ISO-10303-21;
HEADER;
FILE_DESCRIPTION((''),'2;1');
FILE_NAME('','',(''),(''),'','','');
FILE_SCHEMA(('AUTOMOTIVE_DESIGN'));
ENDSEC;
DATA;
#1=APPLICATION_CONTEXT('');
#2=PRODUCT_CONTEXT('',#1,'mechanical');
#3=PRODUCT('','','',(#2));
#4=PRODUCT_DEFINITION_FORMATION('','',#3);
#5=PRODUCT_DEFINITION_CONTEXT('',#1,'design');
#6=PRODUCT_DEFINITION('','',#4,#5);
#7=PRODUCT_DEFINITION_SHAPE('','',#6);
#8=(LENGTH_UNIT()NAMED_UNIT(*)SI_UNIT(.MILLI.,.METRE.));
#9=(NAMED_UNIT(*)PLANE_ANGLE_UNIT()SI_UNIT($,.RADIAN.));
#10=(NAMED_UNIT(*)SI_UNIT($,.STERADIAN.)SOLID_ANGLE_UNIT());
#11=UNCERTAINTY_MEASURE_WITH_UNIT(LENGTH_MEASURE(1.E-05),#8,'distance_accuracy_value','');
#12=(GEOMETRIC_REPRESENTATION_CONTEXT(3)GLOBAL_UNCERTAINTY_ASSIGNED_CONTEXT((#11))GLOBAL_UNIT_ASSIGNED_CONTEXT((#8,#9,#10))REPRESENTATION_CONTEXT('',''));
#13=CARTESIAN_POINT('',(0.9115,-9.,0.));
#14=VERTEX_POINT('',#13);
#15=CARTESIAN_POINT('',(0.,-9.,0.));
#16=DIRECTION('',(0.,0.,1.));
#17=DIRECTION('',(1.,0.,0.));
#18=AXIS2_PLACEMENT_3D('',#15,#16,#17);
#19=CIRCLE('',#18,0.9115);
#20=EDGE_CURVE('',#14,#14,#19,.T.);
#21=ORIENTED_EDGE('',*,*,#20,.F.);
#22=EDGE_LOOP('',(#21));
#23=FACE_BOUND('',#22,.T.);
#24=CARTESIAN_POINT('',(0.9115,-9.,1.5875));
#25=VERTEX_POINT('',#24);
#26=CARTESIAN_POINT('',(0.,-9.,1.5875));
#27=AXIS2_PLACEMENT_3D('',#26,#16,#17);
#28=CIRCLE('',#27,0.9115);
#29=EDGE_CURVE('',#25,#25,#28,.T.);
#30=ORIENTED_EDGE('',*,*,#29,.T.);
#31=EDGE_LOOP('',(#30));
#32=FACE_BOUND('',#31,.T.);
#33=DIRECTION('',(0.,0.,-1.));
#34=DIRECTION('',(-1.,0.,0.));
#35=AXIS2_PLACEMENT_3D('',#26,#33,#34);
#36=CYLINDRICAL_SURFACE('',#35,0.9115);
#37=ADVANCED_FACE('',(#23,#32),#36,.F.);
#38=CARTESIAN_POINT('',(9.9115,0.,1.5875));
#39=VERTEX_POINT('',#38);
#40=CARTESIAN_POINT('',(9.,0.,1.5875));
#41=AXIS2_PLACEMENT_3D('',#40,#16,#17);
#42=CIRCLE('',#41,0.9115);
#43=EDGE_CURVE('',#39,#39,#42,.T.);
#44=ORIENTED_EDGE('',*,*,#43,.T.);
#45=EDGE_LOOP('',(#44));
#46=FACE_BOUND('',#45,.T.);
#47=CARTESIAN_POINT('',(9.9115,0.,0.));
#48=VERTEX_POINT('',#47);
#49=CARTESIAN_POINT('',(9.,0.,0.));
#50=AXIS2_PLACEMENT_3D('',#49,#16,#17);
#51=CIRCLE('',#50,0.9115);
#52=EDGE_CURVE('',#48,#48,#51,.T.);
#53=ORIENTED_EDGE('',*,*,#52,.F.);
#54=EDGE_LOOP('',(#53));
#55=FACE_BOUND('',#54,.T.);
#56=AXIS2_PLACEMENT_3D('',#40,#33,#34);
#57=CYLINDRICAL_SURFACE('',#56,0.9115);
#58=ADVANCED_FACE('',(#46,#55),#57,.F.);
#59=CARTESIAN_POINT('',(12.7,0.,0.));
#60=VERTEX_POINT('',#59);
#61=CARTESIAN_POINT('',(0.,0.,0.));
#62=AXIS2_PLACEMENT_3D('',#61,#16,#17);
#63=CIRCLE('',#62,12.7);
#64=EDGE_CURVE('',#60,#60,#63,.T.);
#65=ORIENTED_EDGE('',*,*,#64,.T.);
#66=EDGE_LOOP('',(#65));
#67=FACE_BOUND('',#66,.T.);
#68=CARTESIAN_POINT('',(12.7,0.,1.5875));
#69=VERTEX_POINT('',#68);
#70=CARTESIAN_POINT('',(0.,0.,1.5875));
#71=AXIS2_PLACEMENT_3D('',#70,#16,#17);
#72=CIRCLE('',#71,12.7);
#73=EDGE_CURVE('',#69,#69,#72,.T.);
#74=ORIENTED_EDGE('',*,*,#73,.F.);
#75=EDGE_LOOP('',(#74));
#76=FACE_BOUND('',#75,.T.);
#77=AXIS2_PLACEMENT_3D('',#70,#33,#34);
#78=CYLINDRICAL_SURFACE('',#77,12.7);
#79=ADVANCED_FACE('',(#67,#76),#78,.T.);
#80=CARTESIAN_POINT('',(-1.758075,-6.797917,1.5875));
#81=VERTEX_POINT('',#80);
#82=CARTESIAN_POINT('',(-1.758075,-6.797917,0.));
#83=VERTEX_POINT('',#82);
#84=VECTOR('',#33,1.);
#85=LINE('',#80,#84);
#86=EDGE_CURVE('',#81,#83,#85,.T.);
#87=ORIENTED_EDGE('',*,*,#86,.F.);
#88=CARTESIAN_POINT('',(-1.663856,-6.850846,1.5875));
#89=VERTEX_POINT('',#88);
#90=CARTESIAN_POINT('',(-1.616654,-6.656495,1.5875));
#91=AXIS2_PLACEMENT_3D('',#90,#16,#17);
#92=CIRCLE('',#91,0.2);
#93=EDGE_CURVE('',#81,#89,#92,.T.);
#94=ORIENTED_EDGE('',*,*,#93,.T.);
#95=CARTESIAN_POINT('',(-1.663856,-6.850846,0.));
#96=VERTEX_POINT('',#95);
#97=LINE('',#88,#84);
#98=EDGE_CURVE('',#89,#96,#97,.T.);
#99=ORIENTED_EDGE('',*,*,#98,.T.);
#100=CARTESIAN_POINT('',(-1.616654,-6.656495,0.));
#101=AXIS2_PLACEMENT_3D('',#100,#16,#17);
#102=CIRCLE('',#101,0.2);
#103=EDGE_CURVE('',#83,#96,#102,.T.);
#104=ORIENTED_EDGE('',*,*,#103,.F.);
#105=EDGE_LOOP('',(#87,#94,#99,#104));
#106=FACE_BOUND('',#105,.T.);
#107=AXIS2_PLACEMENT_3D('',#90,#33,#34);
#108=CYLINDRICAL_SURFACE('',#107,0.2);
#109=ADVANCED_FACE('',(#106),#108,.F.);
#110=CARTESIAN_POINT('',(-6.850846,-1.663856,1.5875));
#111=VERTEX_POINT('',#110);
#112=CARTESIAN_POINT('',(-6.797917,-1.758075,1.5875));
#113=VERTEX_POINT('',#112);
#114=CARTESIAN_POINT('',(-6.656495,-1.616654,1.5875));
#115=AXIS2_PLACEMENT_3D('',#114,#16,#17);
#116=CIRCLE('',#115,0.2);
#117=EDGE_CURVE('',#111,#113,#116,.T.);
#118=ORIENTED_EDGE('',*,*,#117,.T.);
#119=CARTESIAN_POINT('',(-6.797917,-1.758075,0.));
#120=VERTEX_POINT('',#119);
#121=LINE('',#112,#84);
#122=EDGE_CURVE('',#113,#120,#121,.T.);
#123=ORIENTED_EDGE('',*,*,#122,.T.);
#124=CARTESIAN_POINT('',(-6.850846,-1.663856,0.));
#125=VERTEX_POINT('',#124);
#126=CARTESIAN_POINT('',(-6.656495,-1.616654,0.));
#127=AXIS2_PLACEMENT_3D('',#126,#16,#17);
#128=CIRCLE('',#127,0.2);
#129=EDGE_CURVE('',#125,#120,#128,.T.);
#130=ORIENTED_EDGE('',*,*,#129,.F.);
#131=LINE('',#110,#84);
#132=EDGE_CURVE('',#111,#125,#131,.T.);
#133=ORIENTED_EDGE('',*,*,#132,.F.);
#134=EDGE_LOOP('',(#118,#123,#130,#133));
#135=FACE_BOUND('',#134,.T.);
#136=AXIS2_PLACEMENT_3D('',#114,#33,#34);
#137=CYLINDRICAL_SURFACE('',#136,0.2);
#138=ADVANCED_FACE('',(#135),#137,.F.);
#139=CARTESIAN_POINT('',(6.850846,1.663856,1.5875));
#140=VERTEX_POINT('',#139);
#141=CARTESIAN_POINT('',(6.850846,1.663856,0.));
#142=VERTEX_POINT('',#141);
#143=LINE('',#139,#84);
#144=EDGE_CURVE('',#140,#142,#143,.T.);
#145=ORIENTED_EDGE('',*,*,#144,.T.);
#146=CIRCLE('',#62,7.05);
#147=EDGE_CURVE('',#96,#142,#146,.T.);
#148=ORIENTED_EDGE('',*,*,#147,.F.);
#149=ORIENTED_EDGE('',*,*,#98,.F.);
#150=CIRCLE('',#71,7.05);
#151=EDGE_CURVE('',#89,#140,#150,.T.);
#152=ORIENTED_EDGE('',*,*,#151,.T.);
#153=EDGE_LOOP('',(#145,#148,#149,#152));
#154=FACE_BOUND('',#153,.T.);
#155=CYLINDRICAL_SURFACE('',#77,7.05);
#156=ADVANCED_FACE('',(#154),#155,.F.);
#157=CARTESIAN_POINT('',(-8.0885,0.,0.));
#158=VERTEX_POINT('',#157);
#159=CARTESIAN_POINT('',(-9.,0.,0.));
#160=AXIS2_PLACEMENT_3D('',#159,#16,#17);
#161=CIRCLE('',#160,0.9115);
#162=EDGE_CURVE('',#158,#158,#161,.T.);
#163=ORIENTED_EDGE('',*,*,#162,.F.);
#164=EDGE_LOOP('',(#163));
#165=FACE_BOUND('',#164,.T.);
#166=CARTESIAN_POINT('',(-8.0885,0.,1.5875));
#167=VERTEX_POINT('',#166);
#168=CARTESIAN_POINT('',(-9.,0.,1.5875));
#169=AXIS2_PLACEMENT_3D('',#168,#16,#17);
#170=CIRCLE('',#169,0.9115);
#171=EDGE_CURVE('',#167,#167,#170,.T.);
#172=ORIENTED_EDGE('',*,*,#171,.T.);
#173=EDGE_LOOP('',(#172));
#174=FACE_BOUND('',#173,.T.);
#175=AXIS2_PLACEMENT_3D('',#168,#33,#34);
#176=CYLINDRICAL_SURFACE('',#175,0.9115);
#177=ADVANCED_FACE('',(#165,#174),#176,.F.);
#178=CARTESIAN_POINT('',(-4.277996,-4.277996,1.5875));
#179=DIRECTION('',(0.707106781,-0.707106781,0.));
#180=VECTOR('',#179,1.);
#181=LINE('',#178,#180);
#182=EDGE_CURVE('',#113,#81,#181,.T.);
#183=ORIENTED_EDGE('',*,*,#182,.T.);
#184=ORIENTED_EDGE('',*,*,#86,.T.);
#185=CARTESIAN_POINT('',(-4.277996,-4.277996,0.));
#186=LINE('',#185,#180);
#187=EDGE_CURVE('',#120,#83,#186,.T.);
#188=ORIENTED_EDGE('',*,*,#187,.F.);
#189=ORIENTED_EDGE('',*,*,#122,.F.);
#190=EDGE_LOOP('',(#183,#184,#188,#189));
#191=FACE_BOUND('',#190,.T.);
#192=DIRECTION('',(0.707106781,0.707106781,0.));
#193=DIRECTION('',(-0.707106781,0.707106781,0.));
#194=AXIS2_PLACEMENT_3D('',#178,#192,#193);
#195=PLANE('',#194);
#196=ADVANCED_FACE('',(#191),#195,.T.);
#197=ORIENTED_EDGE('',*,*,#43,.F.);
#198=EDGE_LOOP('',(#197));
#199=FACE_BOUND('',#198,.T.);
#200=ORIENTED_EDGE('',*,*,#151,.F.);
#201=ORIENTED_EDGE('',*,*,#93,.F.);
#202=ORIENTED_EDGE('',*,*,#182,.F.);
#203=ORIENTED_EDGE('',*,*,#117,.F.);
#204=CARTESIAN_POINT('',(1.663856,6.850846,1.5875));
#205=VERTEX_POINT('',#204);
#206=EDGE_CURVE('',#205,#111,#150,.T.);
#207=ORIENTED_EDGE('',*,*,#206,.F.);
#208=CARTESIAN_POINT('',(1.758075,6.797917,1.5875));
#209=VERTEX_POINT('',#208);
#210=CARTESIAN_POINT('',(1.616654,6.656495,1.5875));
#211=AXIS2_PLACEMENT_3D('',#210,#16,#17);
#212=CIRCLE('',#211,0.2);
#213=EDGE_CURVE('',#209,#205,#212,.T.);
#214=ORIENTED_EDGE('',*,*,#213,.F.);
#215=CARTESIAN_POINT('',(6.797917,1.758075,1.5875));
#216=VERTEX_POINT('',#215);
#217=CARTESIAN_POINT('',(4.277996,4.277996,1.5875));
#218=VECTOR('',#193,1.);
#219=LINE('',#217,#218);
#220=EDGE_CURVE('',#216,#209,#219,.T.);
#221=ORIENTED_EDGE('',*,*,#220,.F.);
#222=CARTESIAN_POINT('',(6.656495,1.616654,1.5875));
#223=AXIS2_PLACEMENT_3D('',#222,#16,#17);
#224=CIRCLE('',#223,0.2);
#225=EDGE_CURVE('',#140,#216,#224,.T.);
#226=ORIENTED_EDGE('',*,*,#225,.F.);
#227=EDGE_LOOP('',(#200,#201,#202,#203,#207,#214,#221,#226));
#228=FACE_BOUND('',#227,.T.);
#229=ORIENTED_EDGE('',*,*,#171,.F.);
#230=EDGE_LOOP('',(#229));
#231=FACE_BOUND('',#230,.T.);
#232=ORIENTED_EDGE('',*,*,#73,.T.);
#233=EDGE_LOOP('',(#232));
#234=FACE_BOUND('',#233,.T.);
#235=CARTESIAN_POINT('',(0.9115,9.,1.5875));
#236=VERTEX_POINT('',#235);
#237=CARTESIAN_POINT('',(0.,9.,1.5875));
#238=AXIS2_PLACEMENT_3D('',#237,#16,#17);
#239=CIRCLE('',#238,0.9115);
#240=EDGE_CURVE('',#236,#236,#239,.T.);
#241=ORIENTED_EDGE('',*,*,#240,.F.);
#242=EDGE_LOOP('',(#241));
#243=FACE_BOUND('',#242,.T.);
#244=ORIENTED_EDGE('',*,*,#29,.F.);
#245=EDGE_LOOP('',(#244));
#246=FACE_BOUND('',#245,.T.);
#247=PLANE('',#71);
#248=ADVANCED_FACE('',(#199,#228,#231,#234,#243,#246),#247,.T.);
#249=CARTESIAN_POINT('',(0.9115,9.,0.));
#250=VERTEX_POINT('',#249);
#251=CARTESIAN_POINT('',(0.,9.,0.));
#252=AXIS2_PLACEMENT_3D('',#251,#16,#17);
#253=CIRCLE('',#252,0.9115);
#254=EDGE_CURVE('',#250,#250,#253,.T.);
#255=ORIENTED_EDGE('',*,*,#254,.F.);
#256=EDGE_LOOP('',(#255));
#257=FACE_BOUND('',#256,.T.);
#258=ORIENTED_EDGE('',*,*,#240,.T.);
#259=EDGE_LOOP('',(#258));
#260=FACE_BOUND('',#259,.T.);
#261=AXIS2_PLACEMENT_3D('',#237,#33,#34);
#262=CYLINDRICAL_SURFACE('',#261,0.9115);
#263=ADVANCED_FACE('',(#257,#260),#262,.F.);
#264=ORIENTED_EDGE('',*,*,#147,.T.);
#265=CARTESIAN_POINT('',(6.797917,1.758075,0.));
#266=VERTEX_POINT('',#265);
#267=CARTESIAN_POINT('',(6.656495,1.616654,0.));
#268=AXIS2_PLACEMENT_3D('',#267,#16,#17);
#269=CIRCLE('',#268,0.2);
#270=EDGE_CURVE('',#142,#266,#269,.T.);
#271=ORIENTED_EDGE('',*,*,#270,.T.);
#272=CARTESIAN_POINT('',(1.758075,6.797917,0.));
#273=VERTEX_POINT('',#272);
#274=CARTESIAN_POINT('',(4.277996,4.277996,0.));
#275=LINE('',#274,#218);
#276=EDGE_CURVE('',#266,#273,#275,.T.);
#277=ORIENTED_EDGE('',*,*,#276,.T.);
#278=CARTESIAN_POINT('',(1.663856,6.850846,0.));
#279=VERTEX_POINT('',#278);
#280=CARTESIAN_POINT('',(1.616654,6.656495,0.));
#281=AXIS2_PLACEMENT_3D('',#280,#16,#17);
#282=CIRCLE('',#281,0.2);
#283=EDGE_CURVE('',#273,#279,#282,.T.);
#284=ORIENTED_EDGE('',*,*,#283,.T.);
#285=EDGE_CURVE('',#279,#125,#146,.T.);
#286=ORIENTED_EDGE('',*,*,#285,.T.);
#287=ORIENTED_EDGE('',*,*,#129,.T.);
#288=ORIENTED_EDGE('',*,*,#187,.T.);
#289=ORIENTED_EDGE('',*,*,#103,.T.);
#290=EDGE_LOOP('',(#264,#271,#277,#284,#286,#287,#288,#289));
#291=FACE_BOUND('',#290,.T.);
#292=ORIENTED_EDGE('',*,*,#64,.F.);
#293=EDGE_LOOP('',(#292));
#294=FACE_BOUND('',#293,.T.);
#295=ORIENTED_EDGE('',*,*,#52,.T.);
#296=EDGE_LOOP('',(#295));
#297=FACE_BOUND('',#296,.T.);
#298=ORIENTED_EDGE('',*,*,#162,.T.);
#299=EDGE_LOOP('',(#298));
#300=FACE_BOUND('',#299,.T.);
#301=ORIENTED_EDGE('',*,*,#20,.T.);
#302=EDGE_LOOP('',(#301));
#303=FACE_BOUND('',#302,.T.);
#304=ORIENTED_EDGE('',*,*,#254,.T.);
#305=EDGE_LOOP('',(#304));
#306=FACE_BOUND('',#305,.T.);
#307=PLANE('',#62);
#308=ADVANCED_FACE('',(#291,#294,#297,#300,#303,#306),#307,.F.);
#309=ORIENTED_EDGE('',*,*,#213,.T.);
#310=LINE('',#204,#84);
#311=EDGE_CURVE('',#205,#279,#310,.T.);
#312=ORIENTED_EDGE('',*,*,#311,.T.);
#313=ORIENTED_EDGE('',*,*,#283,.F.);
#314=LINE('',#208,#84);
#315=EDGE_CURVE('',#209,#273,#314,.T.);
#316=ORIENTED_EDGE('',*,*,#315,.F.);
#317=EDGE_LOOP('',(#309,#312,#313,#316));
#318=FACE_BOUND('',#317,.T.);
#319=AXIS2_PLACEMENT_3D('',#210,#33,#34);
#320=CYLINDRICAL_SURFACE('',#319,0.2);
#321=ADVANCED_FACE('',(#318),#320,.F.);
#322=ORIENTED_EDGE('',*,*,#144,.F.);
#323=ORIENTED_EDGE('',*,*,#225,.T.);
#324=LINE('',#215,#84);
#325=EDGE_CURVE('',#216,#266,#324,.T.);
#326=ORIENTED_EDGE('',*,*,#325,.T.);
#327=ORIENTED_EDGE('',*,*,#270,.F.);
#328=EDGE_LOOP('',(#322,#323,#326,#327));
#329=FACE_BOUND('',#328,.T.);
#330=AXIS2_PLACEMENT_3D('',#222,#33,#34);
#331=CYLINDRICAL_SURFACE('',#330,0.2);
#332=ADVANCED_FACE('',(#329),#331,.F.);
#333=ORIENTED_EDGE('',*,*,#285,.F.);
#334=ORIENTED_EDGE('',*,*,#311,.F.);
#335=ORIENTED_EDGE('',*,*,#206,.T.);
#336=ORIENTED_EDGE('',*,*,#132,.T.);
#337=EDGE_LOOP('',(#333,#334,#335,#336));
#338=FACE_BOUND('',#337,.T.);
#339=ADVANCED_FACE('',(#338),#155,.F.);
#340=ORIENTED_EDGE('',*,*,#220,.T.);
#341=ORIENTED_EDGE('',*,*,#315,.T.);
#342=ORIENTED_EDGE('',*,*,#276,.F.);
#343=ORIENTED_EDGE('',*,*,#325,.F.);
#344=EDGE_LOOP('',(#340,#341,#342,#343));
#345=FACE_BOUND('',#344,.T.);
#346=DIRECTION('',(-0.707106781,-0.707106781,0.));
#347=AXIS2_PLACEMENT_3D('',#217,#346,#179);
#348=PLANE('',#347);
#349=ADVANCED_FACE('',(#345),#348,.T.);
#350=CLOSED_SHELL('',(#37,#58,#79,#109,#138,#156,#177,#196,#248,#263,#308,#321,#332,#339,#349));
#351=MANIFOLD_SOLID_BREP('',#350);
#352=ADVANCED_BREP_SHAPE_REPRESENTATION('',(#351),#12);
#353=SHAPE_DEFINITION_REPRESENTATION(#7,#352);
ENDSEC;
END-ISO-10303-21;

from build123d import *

# Parameters (mm, degrees)
SKETCH6_R           = 12.7
SKETCH6_R_2         = 0.9115
BOSS_EXTRUDE3_DEPTH = 1.5875


with BuildPart() as part:
    # Sketch6 → Boss-Extrude3 (new body)
    # profile 1 of 2: a face of its own
    with BuildSketch(Plane.XY):
        Circle(SKETCH6_R)
        with BuildLine():
            ThreePointArc((6.269554118, 8.885849209), (0, 10.875), (-6.269554118, 8.885849209))
            Line((-6.269554118, 8.885849209), (-5.055813485, 7.672108576))
            ThreePointArc((-5.055813485, 7.672108576), (-5.055813485, 5.055813485), (-7.672108576, 5.055813485))
            Line((-7.672108576, 5.055813485), (-8.885849209, 6.269554118))
            ThreePointArc((-8.885849209, 6.269554118), (-10.875, 0), (-8.885849209, -6.269554118))
            Line((-8.885849209, -6.269554118), (-7.672108576, -5.055813485))
            ThreePointArc((-7.672108576, -5.055813485), (-5.055813485, -5.055813485), (-5.055813485, -7.672108576))
            Line((-5.055813485, -7.672108576), (-6.269554118, -8.885849209))
            ThreePointArc((-6.269554118, -8.885849209), (0, -10.875), (6.269554118, -8.885849209))
            Line((6.269554118, -8.885849209), (5.055813485, -7.672108576))
            ThreePointArc((5.055813485, -7.672108576), (5.055813485, -5.055813485), (7.672108576, -5.055813485))
            Line((7.672108576, -5.055813485), (8.885849209, -6.269554118))
            ThreePointArc((8.885849209, -6.269554118), (10.875, 0), (8.885849209, 6.269554118))
            Line((8.885849209, 6.269554118), (7.672108576, 5.055813485))
            ThreePointArc((7.672108576, 5.055813485), (5.055813485, 5.055813485), (5.055813485, 7.672108576))
            Line((5.055813485, 7.672108576), (6.269554118, 8.885849209))
        make_face(mode=Mode.SUBTRACT)
    # profile 2 of 2: a face of its own
    with BuildSketch(Plane.XY):
        with BuildLine():
            Line((5.055813485, 7.672108576), (6.269554118, 8.885849209))
            ThreePointArc((6.269554118, 8.885849209), (0, 10.875), (-6.269554118, 8.885849209))
            Line((-6.269554118, 8.885849209), (-5.055813485, 7.672108576))
            ThreePointArc((-5.055813485, 7.672108576), (-5.055813485, 5.055813485), (-7.672108576, 5.055813485))
            Line((-7.672108576, 5.055813485), (-8.885849209, 6.269554118))
            ThreePointArc((-8.885849209, 6.269554118), (-10.875, 0), (-8.885849209, -6.269554118))
            Line((-8.885849209, -6.269554118), (-7.672108576, -5.055813485))
            ThreePointArc((-7.672108576, -5.055813485), (-5.055813485, -5.055813485), (-5.055813485, -7.672108576))
            Line((-5.055813485, -7.672108576), (-6.269554118, -8.885849209))
            ThreePointArc((-6.269554118, -8.885849209), (0, -10.875), (6.269554118, -8.885849209))
            Line((6.269554118, -8.885849209), (5.055813485, -7.672108576))
            ThreePointArc((5.055813485, -7.672108576), (5.055813485, -5.055813485), (7.672108576, -5.055813485))
            Line((7.672108576, -5.055813485), (8.885849209, -6.269554118))
            ThreePointArc((8.885849209, -6.269554118), (10.875, 0), (8.885849209, 6.269554118))
            Line((8.885849209, 6.269554118), (7.672108576, 5.055813485))
            ThreePointArc((7.672108576, 5.055813485), (5.055813485, 5.055813485), (5.055813485, 7.672108576))
        make_face()
        with Locations((0, 9.000000134)):
            Circle(SKETCH6_R_2, mode=Mode.SUBTRACT)
        with Locations((9.000000134, 0)):
            Circle(SKETCH6_R_2, mode=Mode.SUBTRACT)
        with Locations((0, -9.000000134)):
            Circle(SKETCH6_R_2, mode=Mode.SUBTRACT)
        with Locations((-9.000000134, 0)):
            Circle(SKETCH6_R_2, mode=Mode.SUBTRACT)
        with BuildLine():
            ThreePointArc((-1.663855614, -6.850845531), (4.985102807, -4.985102807), (6.850845531, 1.663855614))
            ThreePointArc((6.850845531, 1.663855614), (6.830865544, 1.714608205), (6.79791666, 1.758075393))
            Line((6.79791666, 1.758075393), (1.758075393, 6.79791666))
            ThreePointArc((1.758075393, 6.79791666), (1.714608205, 6.830865544), (1.663855614, 6.850845531))
            ThreePointArc((1.663855614, 6.850845531), (-4.985102807, 4.985102807), (-6.850845531, -1.663855614))
            ThreePointArc((-6.850845531, -1.663855614), (-6.830865544, -1.714608205), (-6.79791666, -1.758075393))
            Line((-6.79791666, -1.758075393), (-1.758075393, -6.79791666))
            ThreePointArc((-1.758075393, -6.79791666), (-1.714608205, -6.830865544), (-1.663855614, -6.850845531))
        make_face(mode=Mode.SUBTRACT)
    extrude(amount=BOSS_EXTRUDE3_DEPTH)


solid = part.part
